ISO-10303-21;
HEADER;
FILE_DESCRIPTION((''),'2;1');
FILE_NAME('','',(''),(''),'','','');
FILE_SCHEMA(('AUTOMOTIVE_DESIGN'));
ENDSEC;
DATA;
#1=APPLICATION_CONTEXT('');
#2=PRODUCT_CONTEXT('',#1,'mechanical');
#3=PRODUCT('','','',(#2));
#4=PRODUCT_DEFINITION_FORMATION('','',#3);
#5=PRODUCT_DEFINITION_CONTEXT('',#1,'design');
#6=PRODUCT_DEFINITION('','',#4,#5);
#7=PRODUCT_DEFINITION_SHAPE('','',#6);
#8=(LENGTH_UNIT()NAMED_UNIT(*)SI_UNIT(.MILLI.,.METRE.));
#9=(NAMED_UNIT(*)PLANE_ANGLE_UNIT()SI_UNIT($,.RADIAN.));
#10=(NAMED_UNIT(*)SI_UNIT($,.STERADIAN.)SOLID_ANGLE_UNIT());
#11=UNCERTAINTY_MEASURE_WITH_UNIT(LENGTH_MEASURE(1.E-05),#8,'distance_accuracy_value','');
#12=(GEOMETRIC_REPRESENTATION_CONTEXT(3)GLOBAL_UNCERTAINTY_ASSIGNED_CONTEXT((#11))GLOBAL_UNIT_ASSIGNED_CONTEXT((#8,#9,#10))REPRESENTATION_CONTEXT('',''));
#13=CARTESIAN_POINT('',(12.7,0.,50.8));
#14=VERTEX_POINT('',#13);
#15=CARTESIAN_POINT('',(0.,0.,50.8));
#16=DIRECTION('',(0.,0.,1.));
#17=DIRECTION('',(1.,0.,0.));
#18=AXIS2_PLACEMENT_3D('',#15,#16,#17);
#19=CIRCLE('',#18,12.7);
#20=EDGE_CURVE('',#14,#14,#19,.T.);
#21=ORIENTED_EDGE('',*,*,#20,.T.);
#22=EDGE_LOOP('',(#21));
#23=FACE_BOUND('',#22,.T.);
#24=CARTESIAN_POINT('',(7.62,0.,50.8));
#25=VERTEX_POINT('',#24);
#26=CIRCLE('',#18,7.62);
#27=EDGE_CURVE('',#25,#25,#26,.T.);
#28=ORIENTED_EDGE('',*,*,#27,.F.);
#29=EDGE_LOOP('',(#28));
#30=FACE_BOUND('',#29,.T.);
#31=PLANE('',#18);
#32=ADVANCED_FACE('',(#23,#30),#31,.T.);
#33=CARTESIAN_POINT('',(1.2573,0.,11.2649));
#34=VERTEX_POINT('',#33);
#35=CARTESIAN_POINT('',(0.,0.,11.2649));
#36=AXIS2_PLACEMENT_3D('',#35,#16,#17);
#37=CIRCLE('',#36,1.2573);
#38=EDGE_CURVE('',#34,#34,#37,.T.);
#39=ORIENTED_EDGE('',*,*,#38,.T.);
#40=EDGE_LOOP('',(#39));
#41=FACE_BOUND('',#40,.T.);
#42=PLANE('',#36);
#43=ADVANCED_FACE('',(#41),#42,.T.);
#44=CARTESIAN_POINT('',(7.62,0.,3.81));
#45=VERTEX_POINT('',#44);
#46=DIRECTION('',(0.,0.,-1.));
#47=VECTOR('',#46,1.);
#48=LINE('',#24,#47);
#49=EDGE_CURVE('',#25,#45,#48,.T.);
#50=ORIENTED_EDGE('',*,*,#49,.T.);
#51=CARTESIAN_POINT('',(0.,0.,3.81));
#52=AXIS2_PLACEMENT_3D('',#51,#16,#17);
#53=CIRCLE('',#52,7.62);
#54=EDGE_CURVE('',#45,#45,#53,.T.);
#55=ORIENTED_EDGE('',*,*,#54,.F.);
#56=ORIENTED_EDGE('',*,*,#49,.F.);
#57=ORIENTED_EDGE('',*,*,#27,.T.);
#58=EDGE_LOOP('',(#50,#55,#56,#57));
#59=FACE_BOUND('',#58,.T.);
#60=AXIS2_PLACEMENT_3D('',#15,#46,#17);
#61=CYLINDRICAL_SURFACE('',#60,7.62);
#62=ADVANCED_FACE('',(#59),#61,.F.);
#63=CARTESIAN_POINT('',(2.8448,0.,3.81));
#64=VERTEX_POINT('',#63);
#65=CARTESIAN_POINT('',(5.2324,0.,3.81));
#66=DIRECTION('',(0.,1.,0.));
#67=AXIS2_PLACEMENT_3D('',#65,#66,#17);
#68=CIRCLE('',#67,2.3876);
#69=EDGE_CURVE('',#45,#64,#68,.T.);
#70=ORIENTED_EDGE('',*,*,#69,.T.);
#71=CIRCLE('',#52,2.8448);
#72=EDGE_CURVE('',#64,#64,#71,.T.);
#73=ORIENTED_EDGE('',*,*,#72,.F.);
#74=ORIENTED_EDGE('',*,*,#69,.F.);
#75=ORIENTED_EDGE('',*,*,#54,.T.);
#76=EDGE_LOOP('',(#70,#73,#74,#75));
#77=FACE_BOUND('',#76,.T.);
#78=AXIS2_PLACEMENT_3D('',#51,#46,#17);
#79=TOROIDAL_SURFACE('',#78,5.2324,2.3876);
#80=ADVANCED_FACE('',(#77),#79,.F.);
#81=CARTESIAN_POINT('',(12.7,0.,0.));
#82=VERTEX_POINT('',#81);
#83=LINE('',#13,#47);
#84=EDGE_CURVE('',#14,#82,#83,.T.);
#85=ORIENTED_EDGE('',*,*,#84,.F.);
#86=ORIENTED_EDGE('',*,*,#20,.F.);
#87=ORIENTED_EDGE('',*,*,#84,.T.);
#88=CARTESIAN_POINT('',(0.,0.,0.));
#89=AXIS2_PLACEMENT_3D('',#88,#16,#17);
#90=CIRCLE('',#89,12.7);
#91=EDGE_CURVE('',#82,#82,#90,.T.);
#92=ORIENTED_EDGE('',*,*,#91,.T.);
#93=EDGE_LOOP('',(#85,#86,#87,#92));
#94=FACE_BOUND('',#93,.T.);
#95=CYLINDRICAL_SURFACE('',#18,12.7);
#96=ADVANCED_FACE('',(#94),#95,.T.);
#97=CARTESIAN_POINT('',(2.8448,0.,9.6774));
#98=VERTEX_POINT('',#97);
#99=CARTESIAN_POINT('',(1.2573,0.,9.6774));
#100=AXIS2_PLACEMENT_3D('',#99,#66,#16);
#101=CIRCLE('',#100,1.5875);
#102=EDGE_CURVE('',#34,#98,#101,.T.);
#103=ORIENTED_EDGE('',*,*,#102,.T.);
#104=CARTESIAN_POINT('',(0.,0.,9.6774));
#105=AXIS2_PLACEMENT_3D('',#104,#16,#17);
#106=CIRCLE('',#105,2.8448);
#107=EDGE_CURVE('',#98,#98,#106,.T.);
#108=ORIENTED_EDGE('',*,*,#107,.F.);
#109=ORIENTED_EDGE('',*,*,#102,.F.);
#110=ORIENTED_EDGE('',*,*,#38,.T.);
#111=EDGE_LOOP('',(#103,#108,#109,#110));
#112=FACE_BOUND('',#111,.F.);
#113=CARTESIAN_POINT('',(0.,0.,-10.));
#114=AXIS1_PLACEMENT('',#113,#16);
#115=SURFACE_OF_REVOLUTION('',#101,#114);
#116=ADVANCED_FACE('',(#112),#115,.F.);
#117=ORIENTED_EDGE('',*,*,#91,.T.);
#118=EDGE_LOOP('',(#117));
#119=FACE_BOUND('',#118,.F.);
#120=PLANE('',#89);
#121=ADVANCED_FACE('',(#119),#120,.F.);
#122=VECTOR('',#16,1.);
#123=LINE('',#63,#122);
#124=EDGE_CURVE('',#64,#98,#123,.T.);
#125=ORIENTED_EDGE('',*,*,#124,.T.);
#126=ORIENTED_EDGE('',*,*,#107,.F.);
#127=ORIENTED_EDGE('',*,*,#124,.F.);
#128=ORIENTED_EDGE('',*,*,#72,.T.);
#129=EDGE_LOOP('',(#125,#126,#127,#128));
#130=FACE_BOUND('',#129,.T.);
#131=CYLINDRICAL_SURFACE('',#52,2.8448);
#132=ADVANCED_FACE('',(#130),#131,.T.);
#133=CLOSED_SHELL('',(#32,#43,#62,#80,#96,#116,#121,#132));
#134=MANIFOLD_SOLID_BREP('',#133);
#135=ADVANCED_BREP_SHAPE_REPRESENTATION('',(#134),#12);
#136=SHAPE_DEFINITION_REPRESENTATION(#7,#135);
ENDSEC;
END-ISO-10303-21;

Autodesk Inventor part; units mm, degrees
ref_plane "YZ Plane" through (0, 0, 0) normal (1, 0, 0) x (0, 1, 0)
ref_plane "XZ Plane" through (0, 0, 0) normal (0, 1, 0) x (-1, 0, 0)
ref_plane "XY Plane" through (0, 0, 0) normal (0, 0, 1) x (1, 0, 0)
sketch "Sketch1" plane through (0, 0, 50.8) normal (0, 0, 1) x (1, 0, 0)
  circle A0 centre (0, 0) radius 12.7
sketch "Sketch2" plane through (0, 0, 0) normal (0, 1, 0) x (-1, 0, 0)
  line L0 (0, 50.8) -> (-7.62, 50.8)
  line L1 (-7.62, 50.8) -> (-7.62, 3.81)
  arc A0 (-7.62, 3.81) -> (-2.8448, 3.81) centre (-5.2324, 3.81) ccw
  line L2 (-2.8448, 3.81) -> (-2.8448, 9.6774)
  arc A1 (-1.2573, 11.2649) -> (-2.8448, 9.6774) centre (-1.2573, 9.6774) ccw
  line L3 (-1.2573, 11.2649) -> (0, 11.2649)
  line L4 (0, 11.2649) -> (0, 50.8)
  line L5 (0, -10.16) -> (0, 60.96) projected
extrude "Extrusion1" add sketch "Sketch1" against normal blind 50.8
revolve "Revolution1" cut sketch "Sketch2" angle 360 about axis through (0, 0, -10) along (0, 0, 1)
properties part number "Coax Demo"
